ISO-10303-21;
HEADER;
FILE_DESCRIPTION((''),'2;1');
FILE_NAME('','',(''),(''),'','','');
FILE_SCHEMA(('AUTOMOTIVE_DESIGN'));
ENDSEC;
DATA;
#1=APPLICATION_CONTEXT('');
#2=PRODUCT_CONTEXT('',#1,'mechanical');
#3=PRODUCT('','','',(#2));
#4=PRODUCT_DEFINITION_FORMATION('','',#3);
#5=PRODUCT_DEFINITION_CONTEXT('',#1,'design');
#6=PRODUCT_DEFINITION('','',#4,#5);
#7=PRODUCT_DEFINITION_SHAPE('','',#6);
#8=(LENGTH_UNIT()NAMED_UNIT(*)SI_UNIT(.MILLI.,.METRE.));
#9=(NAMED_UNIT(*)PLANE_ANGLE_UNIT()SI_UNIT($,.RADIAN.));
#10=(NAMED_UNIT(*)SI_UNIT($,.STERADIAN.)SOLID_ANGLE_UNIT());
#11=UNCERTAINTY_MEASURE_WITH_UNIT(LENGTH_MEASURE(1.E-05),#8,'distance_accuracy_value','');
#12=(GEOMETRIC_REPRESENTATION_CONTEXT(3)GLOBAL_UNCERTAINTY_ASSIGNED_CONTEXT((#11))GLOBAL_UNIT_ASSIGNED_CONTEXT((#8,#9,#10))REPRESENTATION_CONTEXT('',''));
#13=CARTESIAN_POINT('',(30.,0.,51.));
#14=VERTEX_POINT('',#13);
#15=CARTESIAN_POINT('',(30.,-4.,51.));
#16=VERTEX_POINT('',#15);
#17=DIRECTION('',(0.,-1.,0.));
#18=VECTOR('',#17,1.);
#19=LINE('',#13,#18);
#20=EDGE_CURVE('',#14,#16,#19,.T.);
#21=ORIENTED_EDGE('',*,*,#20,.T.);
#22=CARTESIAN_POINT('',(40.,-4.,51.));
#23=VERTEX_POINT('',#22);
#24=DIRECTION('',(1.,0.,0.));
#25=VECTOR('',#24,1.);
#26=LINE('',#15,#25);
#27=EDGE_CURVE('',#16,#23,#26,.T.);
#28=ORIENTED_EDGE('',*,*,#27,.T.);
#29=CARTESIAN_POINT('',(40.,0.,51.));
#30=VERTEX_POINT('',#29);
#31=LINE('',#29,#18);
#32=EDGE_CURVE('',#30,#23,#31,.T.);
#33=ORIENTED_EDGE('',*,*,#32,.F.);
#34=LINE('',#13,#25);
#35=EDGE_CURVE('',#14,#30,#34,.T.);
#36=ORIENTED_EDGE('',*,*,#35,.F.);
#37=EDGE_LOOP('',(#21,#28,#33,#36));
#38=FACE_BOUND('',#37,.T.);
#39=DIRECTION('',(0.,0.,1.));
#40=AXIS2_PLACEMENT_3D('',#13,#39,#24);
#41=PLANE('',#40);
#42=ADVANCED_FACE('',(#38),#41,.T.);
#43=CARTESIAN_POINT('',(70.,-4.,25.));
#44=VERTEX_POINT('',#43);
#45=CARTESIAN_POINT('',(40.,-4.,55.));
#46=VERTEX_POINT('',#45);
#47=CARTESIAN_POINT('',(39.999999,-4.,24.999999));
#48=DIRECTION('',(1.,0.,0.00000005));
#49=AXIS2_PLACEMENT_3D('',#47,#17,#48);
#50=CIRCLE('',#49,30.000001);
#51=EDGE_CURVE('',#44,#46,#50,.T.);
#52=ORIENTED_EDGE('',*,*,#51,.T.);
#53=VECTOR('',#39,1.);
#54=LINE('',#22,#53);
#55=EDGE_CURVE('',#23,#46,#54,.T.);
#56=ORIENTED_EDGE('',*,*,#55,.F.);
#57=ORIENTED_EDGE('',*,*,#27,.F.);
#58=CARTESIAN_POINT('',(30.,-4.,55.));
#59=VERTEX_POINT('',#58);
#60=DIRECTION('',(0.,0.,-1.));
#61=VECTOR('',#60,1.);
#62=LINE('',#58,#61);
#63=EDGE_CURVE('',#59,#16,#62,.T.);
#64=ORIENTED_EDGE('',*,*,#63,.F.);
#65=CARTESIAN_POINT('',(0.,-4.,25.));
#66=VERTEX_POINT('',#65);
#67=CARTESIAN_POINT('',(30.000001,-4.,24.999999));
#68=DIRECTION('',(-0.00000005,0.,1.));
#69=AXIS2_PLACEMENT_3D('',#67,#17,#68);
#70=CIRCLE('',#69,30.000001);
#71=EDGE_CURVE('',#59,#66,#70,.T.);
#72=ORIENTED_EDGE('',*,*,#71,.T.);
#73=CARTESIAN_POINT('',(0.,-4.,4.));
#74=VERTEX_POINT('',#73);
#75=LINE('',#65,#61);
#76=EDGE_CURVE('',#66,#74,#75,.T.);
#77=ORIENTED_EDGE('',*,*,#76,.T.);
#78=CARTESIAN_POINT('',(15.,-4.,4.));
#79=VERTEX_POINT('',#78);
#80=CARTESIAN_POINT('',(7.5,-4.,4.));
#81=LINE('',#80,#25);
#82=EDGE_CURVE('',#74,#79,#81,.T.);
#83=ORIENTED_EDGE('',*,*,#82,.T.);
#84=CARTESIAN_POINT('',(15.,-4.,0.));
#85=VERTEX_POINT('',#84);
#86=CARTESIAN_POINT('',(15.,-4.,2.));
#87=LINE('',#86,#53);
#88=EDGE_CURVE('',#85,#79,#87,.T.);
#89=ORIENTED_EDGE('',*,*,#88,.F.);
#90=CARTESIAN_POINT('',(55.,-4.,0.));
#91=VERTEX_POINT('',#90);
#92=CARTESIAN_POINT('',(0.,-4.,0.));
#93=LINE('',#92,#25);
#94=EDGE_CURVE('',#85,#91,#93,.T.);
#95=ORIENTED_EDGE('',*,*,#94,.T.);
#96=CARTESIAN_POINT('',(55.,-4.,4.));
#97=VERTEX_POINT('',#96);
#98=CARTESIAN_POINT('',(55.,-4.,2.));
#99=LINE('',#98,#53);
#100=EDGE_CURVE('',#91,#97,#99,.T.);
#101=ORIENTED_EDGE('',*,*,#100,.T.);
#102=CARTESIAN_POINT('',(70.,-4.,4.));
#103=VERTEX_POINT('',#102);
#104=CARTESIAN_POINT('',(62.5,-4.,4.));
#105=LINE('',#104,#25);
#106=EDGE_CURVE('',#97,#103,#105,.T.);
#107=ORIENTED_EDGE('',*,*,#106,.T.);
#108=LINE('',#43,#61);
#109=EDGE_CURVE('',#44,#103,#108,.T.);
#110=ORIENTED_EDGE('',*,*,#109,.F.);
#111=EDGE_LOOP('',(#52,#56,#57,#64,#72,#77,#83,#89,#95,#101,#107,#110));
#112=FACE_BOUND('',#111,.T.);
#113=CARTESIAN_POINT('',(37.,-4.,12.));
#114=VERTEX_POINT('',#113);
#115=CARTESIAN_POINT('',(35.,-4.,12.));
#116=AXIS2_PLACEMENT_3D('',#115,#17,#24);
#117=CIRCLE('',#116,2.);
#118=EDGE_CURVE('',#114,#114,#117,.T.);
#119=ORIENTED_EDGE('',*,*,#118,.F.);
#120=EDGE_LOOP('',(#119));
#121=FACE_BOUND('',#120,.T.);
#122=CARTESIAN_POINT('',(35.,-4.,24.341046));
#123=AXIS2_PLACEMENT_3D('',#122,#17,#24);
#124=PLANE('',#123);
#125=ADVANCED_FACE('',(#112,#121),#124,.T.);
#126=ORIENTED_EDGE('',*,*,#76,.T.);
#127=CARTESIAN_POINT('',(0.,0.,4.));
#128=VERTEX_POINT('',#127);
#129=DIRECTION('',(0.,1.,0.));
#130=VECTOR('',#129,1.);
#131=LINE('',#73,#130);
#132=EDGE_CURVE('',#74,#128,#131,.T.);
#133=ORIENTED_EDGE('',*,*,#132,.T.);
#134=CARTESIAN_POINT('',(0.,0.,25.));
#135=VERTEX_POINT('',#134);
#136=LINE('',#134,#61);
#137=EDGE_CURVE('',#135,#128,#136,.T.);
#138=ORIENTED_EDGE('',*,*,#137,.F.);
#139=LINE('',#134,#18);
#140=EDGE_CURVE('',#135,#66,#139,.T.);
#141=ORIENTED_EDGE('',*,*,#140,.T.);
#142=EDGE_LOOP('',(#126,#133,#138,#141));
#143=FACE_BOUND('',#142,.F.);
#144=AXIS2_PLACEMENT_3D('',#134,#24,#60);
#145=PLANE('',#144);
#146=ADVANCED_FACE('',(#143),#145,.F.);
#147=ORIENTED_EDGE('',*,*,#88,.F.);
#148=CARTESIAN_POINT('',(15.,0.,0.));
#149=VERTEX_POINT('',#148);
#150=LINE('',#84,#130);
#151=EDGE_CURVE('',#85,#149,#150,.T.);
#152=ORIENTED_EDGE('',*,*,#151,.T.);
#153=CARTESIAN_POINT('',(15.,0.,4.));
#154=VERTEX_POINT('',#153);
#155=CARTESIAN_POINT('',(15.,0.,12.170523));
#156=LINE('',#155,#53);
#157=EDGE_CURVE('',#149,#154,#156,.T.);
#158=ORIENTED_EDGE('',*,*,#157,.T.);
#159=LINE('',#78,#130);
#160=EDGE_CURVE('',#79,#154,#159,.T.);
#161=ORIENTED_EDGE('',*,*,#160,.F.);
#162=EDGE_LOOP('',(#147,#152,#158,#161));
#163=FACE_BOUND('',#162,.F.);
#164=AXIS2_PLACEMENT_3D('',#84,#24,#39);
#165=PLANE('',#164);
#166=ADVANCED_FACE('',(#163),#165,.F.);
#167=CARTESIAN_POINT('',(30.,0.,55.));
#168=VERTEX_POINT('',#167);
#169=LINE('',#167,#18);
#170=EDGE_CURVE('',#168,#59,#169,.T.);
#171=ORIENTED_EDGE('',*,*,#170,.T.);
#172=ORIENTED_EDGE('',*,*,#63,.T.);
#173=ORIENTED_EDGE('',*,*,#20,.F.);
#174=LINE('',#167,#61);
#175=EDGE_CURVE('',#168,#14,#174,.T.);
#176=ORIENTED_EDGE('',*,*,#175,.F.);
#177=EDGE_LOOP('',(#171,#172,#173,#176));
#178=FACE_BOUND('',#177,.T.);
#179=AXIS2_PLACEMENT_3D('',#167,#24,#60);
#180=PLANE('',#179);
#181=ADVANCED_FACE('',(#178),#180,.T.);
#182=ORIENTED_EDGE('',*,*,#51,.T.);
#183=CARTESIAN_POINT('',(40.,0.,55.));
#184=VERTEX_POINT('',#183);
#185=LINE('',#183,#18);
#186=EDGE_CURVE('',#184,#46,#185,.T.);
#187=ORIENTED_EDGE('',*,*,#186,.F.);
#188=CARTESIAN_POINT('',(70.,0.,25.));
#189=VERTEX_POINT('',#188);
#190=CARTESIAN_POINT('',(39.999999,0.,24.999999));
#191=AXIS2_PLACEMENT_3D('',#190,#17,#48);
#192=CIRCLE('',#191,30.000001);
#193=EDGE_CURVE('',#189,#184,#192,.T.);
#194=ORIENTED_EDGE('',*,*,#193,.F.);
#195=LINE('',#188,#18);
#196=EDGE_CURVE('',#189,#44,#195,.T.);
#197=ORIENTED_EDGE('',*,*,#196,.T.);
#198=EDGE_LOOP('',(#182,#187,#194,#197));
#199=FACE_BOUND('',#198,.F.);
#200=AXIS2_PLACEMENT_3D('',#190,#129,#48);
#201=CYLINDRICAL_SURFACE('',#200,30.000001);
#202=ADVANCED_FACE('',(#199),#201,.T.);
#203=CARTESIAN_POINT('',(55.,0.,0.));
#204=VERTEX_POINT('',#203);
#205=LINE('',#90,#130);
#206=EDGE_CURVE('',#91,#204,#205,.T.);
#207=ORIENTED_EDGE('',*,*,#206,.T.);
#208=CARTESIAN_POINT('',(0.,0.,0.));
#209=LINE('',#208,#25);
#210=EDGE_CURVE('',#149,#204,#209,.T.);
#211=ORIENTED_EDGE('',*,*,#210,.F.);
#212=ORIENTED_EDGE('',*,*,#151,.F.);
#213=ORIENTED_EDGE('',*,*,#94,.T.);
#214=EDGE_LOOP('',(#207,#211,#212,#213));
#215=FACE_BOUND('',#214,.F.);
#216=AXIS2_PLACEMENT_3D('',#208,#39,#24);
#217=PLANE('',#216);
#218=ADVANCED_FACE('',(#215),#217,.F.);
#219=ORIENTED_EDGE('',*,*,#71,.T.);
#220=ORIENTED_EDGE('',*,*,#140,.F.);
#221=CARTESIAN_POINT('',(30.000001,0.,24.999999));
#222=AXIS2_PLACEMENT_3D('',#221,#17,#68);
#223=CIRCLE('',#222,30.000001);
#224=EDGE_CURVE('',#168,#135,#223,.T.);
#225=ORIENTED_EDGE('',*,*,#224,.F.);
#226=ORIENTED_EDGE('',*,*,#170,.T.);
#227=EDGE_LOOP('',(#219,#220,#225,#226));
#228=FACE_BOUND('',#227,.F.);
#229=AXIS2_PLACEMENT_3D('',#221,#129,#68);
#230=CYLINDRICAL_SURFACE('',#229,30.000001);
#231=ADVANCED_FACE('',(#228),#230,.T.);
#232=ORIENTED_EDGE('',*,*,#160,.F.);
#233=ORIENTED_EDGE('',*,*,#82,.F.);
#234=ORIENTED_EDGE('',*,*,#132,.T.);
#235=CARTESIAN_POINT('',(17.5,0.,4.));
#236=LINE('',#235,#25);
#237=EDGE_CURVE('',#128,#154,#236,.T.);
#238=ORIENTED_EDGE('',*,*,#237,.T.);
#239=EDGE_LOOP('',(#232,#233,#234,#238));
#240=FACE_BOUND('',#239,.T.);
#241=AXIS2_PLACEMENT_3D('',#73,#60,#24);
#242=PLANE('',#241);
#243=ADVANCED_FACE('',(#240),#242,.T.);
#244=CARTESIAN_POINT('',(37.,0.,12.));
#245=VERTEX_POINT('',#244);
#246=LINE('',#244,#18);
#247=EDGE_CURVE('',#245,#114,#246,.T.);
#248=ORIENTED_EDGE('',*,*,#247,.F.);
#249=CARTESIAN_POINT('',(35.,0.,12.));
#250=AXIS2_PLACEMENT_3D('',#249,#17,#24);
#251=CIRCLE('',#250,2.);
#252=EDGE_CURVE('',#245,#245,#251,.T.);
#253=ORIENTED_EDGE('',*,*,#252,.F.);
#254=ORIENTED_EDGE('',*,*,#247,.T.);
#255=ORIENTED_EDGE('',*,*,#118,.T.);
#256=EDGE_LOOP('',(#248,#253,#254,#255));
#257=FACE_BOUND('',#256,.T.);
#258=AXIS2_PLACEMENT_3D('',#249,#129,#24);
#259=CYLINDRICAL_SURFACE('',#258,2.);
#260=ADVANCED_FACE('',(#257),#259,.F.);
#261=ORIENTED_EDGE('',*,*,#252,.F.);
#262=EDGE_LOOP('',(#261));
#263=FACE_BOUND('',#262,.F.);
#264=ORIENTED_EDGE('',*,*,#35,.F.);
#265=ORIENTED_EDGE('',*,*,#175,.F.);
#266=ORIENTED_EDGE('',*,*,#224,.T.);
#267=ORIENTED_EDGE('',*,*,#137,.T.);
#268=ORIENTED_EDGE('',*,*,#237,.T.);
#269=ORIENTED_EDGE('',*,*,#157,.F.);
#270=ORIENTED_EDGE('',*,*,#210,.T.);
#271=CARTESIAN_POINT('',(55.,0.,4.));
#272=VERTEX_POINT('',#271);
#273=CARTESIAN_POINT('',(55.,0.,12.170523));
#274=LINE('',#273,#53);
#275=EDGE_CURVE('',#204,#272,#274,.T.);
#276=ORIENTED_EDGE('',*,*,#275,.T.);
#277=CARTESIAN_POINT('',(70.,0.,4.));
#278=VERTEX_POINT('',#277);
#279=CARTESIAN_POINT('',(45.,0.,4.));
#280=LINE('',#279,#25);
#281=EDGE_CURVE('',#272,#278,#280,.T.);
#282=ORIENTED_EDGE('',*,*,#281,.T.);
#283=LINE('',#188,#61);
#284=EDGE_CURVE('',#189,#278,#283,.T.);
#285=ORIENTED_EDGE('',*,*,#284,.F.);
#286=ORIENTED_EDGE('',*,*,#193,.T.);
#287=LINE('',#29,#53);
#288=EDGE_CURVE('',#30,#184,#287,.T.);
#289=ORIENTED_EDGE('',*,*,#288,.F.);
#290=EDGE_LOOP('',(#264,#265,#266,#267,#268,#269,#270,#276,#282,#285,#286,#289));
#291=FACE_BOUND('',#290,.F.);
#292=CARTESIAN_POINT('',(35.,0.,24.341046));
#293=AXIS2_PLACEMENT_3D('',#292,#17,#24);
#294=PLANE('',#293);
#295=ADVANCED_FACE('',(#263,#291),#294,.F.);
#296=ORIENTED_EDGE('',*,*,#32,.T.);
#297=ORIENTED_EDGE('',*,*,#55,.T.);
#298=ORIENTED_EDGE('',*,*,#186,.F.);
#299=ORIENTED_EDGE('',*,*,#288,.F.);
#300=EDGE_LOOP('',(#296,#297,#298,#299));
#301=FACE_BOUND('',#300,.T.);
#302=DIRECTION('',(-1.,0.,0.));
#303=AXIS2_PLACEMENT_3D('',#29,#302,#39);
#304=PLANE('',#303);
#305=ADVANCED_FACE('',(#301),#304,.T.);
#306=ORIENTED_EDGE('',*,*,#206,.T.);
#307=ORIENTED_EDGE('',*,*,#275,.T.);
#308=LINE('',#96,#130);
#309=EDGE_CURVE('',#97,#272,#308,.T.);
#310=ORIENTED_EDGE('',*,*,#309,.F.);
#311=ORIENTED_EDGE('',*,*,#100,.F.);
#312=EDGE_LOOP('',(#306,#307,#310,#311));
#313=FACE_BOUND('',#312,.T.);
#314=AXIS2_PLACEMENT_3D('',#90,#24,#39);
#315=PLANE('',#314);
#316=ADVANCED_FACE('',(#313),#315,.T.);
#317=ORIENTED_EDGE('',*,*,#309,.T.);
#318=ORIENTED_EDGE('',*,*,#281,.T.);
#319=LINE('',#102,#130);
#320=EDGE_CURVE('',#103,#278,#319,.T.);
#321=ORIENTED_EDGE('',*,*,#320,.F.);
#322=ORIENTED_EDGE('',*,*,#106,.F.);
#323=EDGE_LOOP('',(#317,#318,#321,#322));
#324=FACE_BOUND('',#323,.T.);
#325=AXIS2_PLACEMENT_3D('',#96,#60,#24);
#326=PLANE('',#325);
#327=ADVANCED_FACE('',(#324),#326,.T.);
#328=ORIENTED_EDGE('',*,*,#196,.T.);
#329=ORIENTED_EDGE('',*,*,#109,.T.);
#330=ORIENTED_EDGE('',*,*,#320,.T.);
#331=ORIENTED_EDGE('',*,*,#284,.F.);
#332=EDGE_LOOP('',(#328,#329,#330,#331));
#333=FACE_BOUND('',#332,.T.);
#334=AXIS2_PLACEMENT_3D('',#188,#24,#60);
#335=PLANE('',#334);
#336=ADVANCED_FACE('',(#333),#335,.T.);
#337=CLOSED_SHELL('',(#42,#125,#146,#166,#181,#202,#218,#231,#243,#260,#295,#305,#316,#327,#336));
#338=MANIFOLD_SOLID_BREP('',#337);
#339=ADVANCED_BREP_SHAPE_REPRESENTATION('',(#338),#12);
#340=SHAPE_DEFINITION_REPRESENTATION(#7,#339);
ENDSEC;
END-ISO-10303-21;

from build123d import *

# Parameters (mm, degrees)
SKETCH_R     = 2
PAD_DEPTH    = 4
SKETCH001_W  = 15
SKETCH001_H  = 4
POCKET_DEPTH = 5


with BuildPart() as part:
    # Sketch → Pad (new body)
    with BuildSketch(Plane.XZ):
        with BuildLine():
            Line((0, 25), (0, 0))
            Line((0, 0), (70, 0))
            Line((70, 25), (70, 0))
            ThreePointArc((70, 25), (61.213203, 46.213203), (40, 55))
            Line((40, 51), (40, 55))
            Line((30, 51), (40, 51))
            Line((30, 55), (30, 51))
            ThreePointArc((30, 55), (8.786797, 46.213203), (0, 25))
        make_face()
        with Locations((35, 12)):
            Circle(SKETCH_R, mode=Mode.SUBTRACT)
    extrude(amount=PAD_DEPTH)

    # Sketch001 (on Face11 of Pad) → Pocket (cut)
    with BuildSketch(Plane.XZ.offset(4)):
        with Locations((7.5, 2)):
            Rectangle(SKETCH001_W, SKETCH001_H)
        with Locations((62.5, 2)):
            Rectangle(SKETCH001_W, SKETCH001_H)
    extrude(amount=-POCKET_DEPTH, mode=Mode.SUBTRACT)


solid = part.part
